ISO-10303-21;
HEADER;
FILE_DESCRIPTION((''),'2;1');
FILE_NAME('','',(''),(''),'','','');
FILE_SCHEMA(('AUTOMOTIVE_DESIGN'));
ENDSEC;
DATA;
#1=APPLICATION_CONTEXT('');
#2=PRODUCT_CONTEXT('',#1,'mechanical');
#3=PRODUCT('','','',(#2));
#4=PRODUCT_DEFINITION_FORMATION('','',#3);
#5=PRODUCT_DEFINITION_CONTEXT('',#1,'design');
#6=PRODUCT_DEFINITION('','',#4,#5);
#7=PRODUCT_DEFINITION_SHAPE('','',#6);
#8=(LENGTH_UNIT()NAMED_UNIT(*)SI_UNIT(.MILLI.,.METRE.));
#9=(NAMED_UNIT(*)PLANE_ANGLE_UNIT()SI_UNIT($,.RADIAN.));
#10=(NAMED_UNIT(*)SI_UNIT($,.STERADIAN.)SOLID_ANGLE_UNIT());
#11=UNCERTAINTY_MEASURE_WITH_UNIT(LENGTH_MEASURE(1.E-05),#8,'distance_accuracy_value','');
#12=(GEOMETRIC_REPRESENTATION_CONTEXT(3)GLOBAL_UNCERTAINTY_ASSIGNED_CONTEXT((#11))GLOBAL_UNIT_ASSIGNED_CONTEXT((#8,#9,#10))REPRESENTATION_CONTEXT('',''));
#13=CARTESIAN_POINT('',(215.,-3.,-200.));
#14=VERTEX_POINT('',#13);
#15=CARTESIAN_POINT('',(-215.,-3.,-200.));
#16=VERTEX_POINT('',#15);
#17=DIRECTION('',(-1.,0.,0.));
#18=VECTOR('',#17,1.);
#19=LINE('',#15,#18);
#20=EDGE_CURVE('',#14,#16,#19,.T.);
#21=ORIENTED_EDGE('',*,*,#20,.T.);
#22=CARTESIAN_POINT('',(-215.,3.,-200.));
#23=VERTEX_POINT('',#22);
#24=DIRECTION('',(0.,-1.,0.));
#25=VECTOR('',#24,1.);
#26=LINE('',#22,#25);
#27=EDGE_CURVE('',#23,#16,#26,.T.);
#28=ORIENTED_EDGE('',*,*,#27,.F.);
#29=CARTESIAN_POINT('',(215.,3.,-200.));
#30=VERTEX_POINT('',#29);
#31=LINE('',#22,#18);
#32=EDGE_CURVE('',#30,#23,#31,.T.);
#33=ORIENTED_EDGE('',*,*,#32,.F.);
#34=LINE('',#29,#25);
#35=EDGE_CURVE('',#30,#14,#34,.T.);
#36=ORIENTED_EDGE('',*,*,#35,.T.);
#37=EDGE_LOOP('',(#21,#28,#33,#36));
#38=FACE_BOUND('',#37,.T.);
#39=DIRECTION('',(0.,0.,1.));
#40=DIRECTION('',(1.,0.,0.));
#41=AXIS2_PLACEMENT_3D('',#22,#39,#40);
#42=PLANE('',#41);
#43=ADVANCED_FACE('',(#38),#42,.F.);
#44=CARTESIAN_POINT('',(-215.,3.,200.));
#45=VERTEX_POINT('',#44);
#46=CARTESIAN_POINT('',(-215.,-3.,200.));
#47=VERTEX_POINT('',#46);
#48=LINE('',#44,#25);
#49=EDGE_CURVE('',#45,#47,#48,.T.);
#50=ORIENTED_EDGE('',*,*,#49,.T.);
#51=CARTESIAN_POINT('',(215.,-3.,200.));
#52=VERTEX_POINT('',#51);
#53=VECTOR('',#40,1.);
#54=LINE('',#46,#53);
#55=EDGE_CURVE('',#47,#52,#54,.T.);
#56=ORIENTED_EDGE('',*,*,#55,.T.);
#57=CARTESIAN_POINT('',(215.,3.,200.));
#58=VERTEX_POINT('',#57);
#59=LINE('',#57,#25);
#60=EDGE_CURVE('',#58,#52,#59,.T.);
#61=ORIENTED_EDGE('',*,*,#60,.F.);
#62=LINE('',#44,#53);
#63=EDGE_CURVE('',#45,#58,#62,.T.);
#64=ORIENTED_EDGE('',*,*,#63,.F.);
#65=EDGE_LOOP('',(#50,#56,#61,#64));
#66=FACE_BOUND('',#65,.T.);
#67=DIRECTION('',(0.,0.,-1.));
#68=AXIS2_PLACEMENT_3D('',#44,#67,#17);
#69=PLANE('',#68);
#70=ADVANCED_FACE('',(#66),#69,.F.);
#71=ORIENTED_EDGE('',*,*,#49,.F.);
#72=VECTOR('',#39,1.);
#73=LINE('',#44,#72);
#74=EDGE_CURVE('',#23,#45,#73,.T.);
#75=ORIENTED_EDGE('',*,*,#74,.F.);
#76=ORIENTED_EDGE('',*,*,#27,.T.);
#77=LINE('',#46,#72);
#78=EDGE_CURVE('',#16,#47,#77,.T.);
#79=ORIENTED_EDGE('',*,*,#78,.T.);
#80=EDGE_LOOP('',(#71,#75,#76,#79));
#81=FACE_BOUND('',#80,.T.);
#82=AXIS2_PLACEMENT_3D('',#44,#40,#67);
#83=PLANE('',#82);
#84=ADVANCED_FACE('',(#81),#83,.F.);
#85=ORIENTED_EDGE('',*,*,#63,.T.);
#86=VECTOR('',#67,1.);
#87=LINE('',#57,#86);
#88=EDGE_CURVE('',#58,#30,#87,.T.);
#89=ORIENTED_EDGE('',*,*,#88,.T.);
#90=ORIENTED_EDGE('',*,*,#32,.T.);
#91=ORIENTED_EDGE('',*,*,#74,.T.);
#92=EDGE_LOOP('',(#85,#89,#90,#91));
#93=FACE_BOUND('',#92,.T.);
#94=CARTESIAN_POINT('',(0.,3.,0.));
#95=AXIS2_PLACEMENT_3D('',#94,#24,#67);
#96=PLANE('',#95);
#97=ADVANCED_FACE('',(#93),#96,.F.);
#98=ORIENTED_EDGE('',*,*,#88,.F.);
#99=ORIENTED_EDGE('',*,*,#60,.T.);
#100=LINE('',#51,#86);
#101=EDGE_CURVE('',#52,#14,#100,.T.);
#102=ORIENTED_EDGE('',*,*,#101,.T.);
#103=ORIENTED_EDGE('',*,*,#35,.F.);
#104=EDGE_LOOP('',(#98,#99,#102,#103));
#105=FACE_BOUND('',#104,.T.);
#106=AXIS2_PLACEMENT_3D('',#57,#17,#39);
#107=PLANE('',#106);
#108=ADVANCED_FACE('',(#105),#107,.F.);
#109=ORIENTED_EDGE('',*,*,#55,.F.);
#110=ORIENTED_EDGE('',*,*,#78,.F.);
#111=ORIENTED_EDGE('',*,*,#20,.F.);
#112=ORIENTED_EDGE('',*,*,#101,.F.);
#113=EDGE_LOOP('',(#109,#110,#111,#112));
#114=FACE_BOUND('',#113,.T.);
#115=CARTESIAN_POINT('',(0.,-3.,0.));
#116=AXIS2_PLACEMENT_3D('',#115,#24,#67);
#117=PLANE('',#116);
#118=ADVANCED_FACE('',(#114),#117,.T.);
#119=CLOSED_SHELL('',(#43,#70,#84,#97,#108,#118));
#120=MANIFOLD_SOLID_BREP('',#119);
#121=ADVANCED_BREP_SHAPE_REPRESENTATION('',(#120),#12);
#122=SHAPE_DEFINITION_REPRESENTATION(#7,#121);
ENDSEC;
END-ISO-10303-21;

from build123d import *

# Parameters (mm, degrees)
SKETCH1_W           = 430
SKETCH1_H           = 400
BOSS_EXTRUDE1_DEPTH = 3


with BuildPart() as part:
    # Sketch1 → Boss-Extrude1 (new, symmetric)
    with BuildSketch(Plane(origin=(0, 0, 0), x_dir=(1, 0, 0), z_dir=(0, 1, 0))):
        Rectangle(SKETCH1_W, SKETCH1_H)
    extrude(amount=BOSS_EXTRUDE1_DEPTH, both=True)


solid = part.part
